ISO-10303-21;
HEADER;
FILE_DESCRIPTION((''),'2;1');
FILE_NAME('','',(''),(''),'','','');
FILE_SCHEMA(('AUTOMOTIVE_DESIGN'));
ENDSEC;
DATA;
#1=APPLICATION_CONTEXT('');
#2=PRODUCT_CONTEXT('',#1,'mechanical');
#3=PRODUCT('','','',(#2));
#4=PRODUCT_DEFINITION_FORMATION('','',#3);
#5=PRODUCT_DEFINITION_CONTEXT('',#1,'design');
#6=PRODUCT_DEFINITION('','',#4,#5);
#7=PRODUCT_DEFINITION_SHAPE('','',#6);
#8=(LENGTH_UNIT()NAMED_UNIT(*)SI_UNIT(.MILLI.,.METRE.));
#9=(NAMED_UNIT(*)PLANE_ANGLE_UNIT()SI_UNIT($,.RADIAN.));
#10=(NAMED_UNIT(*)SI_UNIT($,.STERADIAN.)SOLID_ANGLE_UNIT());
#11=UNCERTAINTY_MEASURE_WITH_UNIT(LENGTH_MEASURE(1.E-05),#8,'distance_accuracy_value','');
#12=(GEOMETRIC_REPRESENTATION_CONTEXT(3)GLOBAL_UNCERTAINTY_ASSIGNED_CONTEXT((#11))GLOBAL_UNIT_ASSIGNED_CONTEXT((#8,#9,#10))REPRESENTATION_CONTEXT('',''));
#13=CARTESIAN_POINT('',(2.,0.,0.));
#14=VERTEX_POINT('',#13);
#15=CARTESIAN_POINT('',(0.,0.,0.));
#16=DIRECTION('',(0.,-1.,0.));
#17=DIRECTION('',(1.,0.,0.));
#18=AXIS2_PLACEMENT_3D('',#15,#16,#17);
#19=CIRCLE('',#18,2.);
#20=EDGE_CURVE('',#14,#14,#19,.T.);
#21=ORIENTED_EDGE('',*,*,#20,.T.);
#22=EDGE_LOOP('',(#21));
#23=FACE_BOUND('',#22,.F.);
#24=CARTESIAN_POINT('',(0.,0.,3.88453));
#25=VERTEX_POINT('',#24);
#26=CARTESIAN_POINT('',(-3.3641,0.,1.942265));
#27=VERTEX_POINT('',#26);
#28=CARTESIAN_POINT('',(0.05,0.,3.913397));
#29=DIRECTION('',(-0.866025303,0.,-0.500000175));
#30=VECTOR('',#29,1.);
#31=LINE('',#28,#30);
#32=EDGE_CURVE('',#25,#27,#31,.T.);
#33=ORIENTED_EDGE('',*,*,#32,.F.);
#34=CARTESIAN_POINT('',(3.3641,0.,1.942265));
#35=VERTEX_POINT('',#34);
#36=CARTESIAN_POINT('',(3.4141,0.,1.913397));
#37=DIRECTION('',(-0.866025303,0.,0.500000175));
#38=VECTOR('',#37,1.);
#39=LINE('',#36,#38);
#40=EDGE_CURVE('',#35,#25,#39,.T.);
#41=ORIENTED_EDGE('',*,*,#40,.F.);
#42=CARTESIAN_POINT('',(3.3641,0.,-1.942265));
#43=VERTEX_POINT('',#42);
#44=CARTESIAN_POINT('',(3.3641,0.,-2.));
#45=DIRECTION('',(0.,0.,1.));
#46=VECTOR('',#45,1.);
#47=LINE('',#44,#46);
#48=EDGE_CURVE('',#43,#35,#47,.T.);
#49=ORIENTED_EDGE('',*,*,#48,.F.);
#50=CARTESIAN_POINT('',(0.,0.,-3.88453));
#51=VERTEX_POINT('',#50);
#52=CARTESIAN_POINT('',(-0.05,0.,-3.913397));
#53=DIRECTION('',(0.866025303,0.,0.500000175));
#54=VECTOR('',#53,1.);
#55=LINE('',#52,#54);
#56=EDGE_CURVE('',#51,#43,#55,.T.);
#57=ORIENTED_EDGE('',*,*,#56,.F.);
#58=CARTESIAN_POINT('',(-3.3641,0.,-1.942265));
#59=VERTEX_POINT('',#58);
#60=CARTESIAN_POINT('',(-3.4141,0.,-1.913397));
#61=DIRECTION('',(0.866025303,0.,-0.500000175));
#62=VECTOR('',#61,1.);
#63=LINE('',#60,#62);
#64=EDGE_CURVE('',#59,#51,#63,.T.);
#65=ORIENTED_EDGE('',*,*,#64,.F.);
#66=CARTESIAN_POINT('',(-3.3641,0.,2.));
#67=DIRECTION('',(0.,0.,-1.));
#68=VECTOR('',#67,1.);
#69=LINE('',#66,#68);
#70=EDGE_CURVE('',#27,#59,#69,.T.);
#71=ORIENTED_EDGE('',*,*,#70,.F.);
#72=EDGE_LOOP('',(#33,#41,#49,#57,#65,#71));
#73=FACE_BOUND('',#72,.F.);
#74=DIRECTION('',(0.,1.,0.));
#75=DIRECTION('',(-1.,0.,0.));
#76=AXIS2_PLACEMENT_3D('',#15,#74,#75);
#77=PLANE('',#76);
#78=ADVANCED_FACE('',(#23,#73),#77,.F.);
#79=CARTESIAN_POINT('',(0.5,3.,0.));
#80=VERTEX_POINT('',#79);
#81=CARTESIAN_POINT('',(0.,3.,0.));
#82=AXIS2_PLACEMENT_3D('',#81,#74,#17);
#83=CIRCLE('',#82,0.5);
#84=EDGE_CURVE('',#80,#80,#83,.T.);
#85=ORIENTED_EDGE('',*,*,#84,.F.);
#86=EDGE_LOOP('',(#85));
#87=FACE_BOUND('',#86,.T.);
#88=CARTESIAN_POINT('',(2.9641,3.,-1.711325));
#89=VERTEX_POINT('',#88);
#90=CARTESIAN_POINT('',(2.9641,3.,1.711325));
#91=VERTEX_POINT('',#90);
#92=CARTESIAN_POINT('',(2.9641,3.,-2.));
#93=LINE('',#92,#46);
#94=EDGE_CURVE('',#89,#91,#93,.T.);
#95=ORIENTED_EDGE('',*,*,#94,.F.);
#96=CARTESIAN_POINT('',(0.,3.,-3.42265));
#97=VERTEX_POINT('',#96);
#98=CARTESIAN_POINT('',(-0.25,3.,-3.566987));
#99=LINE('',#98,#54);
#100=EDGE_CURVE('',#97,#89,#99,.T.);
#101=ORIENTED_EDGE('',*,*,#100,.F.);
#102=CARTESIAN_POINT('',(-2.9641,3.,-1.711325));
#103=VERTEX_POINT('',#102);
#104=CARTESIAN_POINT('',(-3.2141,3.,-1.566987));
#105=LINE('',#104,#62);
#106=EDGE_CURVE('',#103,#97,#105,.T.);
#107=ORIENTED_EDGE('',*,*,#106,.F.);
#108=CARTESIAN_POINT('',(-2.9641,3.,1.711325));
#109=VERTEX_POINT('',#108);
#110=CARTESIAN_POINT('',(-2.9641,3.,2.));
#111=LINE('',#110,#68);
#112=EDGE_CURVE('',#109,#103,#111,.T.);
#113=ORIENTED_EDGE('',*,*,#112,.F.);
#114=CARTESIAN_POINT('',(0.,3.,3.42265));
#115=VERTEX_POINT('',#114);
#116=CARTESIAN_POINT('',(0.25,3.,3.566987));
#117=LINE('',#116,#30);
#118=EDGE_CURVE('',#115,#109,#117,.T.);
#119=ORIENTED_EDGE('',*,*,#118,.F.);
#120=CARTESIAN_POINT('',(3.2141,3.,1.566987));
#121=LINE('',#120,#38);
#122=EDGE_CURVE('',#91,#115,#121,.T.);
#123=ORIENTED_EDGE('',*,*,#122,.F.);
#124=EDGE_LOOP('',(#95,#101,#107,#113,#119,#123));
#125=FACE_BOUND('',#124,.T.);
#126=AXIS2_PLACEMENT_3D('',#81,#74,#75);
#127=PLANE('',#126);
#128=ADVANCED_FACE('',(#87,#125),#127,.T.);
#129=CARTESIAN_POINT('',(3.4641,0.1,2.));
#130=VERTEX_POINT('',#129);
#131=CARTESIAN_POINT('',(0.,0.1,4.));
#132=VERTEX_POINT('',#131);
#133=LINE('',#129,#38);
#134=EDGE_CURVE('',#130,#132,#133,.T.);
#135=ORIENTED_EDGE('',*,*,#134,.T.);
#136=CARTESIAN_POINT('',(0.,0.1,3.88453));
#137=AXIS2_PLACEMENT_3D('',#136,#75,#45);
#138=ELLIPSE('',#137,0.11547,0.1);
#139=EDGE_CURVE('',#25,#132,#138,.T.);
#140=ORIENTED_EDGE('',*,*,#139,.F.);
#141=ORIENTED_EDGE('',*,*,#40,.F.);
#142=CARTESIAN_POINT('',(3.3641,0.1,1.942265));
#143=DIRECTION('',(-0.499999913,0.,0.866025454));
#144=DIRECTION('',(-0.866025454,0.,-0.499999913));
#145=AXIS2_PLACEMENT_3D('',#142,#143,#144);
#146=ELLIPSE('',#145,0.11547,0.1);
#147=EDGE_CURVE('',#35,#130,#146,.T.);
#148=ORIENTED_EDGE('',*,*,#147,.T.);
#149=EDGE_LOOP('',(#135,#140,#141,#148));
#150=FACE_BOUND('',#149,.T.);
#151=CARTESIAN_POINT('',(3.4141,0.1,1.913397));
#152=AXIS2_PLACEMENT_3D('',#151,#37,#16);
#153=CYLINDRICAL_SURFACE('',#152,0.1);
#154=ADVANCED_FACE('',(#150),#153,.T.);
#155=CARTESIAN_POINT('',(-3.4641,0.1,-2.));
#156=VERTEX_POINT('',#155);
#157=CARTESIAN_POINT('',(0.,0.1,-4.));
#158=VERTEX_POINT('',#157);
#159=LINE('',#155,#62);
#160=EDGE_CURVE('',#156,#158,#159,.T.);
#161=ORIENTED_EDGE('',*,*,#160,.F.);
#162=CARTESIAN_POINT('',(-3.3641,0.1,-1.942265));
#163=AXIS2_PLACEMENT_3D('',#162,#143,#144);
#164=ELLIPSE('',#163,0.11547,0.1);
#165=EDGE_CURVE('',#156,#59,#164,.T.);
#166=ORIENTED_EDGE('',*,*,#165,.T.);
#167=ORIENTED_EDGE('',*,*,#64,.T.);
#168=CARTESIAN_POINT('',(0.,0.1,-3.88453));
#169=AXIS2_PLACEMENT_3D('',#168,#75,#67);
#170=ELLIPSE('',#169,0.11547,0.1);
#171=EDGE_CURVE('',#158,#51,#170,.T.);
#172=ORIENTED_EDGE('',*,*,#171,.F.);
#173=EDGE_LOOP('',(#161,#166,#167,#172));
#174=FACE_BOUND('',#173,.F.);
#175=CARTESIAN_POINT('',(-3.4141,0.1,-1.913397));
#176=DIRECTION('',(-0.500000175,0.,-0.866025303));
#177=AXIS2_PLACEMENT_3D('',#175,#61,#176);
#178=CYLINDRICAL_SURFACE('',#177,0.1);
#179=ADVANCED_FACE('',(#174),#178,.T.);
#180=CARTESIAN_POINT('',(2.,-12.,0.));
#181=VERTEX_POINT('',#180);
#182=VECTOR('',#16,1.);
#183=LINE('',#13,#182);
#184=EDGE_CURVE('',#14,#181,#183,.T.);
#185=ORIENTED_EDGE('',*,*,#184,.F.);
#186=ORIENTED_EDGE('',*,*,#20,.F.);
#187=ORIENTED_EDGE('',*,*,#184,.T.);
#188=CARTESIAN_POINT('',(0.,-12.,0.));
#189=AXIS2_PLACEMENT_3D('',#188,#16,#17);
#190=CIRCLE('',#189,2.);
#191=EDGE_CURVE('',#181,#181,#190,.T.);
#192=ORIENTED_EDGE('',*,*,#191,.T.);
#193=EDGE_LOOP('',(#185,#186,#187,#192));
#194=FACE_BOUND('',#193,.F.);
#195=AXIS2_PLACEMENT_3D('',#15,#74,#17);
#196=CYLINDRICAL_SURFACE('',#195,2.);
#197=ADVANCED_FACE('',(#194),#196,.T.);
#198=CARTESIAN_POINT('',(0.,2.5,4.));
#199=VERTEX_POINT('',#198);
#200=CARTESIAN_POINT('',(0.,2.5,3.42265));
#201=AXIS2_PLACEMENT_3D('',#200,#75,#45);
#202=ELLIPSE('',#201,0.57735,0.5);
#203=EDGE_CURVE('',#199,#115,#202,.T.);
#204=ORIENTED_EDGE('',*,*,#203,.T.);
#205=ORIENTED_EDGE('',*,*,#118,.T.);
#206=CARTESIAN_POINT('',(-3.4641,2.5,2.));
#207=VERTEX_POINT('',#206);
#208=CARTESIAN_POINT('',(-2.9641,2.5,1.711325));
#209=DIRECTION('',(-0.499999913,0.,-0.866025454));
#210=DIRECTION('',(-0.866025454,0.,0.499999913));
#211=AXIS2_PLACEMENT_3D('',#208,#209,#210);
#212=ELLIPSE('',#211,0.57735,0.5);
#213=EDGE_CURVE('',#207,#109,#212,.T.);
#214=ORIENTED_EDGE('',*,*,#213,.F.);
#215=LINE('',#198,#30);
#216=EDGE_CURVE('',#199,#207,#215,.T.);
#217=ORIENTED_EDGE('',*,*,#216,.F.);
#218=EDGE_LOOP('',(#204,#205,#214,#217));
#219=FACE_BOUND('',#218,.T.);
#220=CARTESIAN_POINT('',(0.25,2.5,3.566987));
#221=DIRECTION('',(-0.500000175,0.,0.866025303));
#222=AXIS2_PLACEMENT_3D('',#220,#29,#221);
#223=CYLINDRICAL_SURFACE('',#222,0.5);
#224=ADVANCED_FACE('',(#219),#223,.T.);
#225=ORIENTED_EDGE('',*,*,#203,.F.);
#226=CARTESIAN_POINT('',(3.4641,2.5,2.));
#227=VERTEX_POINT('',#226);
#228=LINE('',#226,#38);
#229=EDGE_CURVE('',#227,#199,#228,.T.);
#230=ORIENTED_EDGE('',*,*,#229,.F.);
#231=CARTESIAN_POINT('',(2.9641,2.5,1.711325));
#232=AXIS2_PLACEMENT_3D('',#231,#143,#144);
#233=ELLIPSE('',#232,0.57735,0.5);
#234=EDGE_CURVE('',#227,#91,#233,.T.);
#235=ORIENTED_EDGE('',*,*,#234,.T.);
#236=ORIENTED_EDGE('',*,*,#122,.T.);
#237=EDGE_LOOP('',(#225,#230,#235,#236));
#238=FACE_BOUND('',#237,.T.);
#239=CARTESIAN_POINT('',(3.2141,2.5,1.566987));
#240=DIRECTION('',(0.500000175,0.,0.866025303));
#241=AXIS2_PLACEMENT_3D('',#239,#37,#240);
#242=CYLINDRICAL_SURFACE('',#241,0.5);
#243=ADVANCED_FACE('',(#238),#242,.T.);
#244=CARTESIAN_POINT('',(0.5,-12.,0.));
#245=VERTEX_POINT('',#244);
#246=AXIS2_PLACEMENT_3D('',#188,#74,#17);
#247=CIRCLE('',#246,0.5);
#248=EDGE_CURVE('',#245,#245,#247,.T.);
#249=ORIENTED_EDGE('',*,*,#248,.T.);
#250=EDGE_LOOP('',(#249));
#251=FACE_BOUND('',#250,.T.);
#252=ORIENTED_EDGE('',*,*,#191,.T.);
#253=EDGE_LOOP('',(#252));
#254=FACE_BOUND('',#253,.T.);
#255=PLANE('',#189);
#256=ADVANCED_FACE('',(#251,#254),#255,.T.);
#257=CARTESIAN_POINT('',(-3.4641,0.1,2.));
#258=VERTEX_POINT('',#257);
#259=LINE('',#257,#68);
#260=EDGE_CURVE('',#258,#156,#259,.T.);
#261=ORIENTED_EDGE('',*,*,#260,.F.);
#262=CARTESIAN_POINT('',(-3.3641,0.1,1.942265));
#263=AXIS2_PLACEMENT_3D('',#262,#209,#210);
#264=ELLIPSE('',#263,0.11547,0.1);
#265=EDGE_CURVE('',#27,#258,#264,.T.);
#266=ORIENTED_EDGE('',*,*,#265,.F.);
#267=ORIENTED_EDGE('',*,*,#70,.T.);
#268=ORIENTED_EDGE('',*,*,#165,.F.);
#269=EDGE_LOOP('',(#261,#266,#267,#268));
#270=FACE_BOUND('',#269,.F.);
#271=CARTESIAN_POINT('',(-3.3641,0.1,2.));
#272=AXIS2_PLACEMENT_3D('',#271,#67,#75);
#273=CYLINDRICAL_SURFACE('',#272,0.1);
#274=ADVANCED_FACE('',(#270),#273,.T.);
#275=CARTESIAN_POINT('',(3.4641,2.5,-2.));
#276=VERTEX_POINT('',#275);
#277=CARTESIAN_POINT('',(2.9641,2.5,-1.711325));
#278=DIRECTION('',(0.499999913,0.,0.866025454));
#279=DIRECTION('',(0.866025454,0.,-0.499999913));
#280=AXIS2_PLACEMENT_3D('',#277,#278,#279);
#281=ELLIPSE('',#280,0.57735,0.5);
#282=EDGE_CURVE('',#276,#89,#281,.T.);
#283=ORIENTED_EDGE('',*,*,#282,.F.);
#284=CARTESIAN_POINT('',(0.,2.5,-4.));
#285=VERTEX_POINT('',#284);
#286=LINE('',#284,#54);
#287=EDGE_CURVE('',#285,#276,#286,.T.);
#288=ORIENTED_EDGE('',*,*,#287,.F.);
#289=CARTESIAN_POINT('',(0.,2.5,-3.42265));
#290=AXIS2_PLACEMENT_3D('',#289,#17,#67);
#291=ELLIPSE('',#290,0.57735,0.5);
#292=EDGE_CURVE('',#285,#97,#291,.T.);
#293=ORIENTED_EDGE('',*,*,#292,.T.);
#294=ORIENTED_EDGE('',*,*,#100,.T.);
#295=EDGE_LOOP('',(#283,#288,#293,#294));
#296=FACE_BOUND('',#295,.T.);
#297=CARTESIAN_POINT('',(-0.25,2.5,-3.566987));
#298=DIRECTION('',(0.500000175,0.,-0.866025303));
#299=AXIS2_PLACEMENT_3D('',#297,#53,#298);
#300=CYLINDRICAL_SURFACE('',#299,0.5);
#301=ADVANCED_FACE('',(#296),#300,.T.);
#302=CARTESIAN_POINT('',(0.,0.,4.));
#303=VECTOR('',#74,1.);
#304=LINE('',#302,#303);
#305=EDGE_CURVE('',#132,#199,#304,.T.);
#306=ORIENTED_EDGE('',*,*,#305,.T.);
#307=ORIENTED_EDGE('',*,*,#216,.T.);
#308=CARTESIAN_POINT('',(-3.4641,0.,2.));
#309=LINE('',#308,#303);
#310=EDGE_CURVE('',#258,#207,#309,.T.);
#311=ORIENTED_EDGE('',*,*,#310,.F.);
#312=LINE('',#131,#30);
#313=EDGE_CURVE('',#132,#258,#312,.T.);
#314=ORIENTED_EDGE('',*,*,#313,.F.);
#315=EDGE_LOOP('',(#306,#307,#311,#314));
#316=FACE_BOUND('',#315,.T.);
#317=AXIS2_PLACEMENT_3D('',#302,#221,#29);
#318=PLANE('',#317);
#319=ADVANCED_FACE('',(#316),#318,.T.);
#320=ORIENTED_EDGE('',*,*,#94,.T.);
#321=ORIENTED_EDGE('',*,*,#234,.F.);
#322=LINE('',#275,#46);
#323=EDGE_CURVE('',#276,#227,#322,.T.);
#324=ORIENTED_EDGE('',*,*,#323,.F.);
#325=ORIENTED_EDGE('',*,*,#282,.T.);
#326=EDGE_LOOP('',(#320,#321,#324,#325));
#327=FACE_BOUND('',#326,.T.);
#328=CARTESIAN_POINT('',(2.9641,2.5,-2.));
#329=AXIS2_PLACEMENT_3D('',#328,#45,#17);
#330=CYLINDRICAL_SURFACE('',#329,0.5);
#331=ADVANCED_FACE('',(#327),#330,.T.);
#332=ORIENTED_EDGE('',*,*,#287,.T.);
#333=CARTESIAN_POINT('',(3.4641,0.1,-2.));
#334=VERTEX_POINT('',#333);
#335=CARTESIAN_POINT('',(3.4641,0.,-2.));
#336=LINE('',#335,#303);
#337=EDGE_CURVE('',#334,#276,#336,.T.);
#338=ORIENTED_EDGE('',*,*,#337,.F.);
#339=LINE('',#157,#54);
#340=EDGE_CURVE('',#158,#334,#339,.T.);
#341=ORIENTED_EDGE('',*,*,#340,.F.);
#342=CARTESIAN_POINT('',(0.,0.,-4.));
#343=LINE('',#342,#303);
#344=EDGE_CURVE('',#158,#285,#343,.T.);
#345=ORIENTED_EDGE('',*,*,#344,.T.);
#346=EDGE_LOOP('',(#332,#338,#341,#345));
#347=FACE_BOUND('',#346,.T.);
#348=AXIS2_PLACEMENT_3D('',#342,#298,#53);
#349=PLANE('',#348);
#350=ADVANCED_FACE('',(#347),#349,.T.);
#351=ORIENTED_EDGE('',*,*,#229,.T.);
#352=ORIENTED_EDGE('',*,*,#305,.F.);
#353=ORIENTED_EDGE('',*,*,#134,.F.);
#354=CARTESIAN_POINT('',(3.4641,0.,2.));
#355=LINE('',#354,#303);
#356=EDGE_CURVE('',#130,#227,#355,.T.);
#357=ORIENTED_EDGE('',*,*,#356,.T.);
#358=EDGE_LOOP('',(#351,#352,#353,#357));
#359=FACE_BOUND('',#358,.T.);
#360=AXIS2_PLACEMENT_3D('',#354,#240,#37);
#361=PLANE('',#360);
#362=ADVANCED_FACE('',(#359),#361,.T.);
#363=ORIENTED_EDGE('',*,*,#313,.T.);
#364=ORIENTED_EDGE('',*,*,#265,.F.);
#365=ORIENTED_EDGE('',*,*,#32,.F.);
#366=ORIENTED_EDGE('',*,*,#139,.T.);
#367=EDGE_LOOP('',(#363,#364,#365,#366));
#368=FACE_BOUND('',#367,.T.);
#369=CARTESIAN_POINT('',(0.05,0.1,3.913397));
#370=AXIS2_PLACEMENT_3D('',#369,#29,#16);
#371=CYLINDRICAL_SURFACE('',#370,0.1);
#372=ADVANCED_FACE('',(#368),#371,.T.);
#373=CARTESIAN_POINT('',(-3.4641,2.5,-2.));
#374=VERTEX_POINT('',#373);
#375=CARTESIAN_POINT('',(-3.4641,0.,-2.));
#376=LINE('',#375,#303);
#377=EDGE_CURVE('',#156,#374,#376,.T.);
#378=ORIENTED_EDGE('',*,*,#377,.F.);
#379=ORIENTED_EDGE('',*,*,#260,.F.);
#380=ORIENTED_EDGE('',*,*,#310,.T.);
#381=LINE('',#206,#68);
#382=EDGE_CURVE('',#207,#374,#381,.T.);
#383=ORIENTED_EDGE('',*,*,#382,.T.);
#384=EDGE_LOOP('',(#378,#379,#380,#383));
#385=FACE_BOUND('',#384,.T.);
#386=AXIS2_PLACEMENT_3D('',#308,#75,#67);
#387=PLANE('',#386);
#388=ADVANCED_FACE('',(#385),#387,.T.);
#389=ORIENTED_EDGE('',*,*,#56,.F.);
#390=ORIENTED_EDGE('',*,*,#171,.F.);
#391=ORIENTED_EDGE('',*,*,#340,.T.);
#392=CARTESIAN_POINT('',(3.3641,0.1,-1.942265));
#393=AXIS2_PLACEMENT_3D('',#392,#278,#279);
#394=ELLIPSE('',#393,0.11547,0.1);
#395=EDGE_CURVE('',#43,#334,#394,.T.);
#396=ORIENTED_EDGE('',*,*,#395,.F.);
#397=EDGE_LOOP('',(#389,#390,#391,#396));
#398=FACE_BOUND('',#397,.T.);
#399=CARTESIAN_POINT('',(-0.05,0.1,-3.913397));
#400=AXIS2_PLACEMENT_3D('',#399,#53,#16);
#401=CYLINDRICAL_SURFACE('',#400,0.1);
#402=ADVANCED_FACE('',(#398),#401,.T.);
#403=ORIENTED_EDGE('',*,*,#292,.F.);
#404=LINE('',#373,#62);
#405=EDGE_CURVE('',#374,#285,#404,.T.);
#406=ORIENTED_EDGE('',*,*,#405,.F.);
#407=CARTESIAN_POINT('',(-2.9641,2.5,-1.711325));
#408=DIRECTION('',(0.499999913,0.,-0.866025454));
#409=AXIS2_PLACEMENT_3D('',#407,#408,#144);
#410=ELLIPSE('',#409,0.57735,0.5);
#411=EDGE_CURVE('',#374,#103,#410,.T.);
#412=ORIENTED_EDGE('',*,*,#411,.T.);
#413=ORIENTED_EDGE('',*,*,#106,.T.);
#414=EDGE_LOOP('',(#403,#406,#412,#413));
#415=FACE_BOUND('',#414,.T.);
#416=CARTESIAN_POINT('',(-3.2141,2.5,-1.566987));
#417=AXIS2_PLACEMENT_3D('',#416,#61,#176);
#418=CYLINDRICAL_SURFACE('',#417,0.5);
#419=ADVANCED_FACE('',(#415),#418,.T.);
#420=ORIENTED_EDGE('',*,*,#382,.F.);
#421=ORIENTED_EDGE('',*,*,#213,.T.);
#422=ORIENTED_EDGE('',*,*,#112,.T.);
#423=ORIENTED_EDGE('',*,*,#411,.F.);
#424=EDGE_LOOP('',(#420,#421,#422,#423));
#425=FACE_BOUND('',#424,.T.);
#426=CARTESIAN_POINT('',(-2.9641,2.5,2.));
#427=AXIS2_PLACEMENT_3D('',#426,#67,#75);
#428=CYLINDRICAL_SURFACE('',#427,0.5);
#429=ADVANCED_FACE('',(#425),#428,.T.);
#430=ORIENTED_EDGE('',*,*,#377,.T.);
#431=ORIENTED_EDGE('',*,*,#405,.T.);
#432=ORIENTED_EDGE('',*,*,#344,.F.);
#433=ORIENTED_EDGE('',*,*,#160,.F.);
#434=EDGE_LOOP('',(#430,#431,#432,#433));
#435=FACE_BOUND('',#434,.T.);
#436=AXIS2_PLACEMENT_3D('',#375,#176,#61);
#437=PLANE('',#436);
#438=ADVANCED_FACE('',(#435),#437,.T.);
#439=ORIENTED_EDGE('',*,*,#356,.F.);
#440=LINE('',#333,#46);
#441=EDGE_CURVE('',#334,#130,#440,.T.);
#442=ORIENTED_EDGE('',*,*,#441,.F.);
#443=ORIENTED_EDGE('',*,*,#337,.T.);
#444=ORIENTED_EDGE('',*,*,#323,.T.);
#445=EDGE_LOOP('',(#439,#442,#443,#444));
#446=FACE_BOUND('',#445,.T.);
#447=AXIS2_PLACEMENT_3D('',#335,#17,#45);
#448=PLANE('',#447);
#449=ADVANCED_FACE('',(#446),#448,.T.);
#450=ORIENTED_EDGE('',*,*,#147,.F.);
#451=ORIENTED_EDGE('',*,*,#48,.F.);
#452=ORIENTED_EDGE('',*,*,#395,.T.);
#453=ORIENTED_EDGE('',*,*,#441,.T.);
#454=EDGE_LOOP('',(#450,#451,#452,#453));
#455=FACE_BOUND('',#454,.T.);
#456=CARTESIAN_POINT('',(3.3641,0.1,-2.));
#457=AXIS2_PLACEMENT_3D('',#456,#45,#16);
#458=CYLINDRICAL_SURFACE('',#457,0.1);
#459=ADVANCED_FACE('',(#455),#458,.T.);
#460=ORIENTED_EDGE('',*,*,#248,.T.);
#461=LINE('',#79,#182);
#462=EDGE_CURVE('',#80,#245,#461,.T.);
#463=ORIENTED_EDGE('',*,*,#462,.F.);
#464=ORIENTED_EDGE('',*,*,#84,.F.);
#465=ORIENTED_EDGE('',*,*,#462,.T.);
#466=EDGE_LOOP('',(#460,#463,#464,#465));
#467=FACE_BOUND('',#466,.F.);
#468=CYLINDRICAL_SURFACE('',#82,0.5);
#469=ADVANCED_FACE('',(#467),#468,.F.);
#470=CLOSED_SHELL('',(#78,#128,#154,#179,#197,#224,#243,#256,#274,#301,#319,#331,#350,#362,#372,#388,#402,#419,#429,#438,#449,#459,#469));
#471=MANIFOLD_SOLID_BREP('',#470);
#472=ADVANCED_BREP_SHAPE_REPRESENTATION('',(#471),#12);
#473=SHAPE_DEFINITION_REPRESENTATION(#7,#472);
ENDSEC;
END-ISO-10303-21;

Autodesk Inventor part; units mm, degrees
ref_plane "YZ Plane" through (0, 0, 0) normal (1, 0, 0) x (0, 1, 0)
ref_plane "XZ Plane" through (0, 0, 0) normal (0, 1, 0) x (-1, 0, 0)
ref_plane "XY Plane" through (0, 0, 0) normal (0, 0, 1) x (1, 0, 0)
sketch "スケッチ1" plane through (0, 0, 0) normal (0, 1, 0) x (-1, 0, 0)
  circle A0 centre (0, 0) radius 4 construction
  line L0 (0, 0) -> (0, -4.9846) construction
  line L1 (0, 0) -> (4.0815, -2.3565) construction
  line L2 (3.4641, -2) -> (0, -4)
  line L3 (3.4641, 2) -> (3.4641, -2)
  line L4 (0, 4) -> (3.4641, 2)
  line L5 (-3.4641, 2) -> (0, 4)
  line L6 (-3.4641, -2) -> (-3.4641, 2)
  line L7 (0, -4) -> (-3.4641, -2)
  dimension "d0" = 8
  dimension "d1" = 60
  dimension "d4" = 360
extrude "押し出し1" add sketch "スケッチ1" along normal blind 3
fillet "フィレット1" radius 0.5 6 edges at (1.7321, 3, 3) (-1.7321, 3, 3) (-3.4641, 3, 0) (-1.7321, 3, -3) (1.7321, 3, -3) (3.4641, 3, 0)
fillet "フィレット2" radius 0.1 6 edges at (1.7321, 0, 3) (-1.7321, 0, 3) (-3.4641, 0, 0) (-1.7321, 0, -3) (1.7321, 0, -3) (3.4641, 0, 0)
sketch "スケッチ2" plane through (0, 0, 0) normal (0, -1, 0) x (1, 0, 0)
  circle A0 centre (0, 0) radius 2
  dimension "d10" = 4
extrude "押し出し2" add sketch "スケッチ2" along normal blind 12
thread "ねじ1" size "M4x0.7" class "6g" standard "ANSI Metric M Profile" full length
sketch "スケッチ3" plane through (0, 3, 0) normal (0, 1, 0) x (1, 0, 0)
  circle A0 centre (0, 0) radius 0.5
  dimension "d15" = 1
extrude "押し出し3" cut sketch "スケッチ3" against normal through all
properties part number "M4×12-VentedHexBolt" material "ステンレス鋼"
